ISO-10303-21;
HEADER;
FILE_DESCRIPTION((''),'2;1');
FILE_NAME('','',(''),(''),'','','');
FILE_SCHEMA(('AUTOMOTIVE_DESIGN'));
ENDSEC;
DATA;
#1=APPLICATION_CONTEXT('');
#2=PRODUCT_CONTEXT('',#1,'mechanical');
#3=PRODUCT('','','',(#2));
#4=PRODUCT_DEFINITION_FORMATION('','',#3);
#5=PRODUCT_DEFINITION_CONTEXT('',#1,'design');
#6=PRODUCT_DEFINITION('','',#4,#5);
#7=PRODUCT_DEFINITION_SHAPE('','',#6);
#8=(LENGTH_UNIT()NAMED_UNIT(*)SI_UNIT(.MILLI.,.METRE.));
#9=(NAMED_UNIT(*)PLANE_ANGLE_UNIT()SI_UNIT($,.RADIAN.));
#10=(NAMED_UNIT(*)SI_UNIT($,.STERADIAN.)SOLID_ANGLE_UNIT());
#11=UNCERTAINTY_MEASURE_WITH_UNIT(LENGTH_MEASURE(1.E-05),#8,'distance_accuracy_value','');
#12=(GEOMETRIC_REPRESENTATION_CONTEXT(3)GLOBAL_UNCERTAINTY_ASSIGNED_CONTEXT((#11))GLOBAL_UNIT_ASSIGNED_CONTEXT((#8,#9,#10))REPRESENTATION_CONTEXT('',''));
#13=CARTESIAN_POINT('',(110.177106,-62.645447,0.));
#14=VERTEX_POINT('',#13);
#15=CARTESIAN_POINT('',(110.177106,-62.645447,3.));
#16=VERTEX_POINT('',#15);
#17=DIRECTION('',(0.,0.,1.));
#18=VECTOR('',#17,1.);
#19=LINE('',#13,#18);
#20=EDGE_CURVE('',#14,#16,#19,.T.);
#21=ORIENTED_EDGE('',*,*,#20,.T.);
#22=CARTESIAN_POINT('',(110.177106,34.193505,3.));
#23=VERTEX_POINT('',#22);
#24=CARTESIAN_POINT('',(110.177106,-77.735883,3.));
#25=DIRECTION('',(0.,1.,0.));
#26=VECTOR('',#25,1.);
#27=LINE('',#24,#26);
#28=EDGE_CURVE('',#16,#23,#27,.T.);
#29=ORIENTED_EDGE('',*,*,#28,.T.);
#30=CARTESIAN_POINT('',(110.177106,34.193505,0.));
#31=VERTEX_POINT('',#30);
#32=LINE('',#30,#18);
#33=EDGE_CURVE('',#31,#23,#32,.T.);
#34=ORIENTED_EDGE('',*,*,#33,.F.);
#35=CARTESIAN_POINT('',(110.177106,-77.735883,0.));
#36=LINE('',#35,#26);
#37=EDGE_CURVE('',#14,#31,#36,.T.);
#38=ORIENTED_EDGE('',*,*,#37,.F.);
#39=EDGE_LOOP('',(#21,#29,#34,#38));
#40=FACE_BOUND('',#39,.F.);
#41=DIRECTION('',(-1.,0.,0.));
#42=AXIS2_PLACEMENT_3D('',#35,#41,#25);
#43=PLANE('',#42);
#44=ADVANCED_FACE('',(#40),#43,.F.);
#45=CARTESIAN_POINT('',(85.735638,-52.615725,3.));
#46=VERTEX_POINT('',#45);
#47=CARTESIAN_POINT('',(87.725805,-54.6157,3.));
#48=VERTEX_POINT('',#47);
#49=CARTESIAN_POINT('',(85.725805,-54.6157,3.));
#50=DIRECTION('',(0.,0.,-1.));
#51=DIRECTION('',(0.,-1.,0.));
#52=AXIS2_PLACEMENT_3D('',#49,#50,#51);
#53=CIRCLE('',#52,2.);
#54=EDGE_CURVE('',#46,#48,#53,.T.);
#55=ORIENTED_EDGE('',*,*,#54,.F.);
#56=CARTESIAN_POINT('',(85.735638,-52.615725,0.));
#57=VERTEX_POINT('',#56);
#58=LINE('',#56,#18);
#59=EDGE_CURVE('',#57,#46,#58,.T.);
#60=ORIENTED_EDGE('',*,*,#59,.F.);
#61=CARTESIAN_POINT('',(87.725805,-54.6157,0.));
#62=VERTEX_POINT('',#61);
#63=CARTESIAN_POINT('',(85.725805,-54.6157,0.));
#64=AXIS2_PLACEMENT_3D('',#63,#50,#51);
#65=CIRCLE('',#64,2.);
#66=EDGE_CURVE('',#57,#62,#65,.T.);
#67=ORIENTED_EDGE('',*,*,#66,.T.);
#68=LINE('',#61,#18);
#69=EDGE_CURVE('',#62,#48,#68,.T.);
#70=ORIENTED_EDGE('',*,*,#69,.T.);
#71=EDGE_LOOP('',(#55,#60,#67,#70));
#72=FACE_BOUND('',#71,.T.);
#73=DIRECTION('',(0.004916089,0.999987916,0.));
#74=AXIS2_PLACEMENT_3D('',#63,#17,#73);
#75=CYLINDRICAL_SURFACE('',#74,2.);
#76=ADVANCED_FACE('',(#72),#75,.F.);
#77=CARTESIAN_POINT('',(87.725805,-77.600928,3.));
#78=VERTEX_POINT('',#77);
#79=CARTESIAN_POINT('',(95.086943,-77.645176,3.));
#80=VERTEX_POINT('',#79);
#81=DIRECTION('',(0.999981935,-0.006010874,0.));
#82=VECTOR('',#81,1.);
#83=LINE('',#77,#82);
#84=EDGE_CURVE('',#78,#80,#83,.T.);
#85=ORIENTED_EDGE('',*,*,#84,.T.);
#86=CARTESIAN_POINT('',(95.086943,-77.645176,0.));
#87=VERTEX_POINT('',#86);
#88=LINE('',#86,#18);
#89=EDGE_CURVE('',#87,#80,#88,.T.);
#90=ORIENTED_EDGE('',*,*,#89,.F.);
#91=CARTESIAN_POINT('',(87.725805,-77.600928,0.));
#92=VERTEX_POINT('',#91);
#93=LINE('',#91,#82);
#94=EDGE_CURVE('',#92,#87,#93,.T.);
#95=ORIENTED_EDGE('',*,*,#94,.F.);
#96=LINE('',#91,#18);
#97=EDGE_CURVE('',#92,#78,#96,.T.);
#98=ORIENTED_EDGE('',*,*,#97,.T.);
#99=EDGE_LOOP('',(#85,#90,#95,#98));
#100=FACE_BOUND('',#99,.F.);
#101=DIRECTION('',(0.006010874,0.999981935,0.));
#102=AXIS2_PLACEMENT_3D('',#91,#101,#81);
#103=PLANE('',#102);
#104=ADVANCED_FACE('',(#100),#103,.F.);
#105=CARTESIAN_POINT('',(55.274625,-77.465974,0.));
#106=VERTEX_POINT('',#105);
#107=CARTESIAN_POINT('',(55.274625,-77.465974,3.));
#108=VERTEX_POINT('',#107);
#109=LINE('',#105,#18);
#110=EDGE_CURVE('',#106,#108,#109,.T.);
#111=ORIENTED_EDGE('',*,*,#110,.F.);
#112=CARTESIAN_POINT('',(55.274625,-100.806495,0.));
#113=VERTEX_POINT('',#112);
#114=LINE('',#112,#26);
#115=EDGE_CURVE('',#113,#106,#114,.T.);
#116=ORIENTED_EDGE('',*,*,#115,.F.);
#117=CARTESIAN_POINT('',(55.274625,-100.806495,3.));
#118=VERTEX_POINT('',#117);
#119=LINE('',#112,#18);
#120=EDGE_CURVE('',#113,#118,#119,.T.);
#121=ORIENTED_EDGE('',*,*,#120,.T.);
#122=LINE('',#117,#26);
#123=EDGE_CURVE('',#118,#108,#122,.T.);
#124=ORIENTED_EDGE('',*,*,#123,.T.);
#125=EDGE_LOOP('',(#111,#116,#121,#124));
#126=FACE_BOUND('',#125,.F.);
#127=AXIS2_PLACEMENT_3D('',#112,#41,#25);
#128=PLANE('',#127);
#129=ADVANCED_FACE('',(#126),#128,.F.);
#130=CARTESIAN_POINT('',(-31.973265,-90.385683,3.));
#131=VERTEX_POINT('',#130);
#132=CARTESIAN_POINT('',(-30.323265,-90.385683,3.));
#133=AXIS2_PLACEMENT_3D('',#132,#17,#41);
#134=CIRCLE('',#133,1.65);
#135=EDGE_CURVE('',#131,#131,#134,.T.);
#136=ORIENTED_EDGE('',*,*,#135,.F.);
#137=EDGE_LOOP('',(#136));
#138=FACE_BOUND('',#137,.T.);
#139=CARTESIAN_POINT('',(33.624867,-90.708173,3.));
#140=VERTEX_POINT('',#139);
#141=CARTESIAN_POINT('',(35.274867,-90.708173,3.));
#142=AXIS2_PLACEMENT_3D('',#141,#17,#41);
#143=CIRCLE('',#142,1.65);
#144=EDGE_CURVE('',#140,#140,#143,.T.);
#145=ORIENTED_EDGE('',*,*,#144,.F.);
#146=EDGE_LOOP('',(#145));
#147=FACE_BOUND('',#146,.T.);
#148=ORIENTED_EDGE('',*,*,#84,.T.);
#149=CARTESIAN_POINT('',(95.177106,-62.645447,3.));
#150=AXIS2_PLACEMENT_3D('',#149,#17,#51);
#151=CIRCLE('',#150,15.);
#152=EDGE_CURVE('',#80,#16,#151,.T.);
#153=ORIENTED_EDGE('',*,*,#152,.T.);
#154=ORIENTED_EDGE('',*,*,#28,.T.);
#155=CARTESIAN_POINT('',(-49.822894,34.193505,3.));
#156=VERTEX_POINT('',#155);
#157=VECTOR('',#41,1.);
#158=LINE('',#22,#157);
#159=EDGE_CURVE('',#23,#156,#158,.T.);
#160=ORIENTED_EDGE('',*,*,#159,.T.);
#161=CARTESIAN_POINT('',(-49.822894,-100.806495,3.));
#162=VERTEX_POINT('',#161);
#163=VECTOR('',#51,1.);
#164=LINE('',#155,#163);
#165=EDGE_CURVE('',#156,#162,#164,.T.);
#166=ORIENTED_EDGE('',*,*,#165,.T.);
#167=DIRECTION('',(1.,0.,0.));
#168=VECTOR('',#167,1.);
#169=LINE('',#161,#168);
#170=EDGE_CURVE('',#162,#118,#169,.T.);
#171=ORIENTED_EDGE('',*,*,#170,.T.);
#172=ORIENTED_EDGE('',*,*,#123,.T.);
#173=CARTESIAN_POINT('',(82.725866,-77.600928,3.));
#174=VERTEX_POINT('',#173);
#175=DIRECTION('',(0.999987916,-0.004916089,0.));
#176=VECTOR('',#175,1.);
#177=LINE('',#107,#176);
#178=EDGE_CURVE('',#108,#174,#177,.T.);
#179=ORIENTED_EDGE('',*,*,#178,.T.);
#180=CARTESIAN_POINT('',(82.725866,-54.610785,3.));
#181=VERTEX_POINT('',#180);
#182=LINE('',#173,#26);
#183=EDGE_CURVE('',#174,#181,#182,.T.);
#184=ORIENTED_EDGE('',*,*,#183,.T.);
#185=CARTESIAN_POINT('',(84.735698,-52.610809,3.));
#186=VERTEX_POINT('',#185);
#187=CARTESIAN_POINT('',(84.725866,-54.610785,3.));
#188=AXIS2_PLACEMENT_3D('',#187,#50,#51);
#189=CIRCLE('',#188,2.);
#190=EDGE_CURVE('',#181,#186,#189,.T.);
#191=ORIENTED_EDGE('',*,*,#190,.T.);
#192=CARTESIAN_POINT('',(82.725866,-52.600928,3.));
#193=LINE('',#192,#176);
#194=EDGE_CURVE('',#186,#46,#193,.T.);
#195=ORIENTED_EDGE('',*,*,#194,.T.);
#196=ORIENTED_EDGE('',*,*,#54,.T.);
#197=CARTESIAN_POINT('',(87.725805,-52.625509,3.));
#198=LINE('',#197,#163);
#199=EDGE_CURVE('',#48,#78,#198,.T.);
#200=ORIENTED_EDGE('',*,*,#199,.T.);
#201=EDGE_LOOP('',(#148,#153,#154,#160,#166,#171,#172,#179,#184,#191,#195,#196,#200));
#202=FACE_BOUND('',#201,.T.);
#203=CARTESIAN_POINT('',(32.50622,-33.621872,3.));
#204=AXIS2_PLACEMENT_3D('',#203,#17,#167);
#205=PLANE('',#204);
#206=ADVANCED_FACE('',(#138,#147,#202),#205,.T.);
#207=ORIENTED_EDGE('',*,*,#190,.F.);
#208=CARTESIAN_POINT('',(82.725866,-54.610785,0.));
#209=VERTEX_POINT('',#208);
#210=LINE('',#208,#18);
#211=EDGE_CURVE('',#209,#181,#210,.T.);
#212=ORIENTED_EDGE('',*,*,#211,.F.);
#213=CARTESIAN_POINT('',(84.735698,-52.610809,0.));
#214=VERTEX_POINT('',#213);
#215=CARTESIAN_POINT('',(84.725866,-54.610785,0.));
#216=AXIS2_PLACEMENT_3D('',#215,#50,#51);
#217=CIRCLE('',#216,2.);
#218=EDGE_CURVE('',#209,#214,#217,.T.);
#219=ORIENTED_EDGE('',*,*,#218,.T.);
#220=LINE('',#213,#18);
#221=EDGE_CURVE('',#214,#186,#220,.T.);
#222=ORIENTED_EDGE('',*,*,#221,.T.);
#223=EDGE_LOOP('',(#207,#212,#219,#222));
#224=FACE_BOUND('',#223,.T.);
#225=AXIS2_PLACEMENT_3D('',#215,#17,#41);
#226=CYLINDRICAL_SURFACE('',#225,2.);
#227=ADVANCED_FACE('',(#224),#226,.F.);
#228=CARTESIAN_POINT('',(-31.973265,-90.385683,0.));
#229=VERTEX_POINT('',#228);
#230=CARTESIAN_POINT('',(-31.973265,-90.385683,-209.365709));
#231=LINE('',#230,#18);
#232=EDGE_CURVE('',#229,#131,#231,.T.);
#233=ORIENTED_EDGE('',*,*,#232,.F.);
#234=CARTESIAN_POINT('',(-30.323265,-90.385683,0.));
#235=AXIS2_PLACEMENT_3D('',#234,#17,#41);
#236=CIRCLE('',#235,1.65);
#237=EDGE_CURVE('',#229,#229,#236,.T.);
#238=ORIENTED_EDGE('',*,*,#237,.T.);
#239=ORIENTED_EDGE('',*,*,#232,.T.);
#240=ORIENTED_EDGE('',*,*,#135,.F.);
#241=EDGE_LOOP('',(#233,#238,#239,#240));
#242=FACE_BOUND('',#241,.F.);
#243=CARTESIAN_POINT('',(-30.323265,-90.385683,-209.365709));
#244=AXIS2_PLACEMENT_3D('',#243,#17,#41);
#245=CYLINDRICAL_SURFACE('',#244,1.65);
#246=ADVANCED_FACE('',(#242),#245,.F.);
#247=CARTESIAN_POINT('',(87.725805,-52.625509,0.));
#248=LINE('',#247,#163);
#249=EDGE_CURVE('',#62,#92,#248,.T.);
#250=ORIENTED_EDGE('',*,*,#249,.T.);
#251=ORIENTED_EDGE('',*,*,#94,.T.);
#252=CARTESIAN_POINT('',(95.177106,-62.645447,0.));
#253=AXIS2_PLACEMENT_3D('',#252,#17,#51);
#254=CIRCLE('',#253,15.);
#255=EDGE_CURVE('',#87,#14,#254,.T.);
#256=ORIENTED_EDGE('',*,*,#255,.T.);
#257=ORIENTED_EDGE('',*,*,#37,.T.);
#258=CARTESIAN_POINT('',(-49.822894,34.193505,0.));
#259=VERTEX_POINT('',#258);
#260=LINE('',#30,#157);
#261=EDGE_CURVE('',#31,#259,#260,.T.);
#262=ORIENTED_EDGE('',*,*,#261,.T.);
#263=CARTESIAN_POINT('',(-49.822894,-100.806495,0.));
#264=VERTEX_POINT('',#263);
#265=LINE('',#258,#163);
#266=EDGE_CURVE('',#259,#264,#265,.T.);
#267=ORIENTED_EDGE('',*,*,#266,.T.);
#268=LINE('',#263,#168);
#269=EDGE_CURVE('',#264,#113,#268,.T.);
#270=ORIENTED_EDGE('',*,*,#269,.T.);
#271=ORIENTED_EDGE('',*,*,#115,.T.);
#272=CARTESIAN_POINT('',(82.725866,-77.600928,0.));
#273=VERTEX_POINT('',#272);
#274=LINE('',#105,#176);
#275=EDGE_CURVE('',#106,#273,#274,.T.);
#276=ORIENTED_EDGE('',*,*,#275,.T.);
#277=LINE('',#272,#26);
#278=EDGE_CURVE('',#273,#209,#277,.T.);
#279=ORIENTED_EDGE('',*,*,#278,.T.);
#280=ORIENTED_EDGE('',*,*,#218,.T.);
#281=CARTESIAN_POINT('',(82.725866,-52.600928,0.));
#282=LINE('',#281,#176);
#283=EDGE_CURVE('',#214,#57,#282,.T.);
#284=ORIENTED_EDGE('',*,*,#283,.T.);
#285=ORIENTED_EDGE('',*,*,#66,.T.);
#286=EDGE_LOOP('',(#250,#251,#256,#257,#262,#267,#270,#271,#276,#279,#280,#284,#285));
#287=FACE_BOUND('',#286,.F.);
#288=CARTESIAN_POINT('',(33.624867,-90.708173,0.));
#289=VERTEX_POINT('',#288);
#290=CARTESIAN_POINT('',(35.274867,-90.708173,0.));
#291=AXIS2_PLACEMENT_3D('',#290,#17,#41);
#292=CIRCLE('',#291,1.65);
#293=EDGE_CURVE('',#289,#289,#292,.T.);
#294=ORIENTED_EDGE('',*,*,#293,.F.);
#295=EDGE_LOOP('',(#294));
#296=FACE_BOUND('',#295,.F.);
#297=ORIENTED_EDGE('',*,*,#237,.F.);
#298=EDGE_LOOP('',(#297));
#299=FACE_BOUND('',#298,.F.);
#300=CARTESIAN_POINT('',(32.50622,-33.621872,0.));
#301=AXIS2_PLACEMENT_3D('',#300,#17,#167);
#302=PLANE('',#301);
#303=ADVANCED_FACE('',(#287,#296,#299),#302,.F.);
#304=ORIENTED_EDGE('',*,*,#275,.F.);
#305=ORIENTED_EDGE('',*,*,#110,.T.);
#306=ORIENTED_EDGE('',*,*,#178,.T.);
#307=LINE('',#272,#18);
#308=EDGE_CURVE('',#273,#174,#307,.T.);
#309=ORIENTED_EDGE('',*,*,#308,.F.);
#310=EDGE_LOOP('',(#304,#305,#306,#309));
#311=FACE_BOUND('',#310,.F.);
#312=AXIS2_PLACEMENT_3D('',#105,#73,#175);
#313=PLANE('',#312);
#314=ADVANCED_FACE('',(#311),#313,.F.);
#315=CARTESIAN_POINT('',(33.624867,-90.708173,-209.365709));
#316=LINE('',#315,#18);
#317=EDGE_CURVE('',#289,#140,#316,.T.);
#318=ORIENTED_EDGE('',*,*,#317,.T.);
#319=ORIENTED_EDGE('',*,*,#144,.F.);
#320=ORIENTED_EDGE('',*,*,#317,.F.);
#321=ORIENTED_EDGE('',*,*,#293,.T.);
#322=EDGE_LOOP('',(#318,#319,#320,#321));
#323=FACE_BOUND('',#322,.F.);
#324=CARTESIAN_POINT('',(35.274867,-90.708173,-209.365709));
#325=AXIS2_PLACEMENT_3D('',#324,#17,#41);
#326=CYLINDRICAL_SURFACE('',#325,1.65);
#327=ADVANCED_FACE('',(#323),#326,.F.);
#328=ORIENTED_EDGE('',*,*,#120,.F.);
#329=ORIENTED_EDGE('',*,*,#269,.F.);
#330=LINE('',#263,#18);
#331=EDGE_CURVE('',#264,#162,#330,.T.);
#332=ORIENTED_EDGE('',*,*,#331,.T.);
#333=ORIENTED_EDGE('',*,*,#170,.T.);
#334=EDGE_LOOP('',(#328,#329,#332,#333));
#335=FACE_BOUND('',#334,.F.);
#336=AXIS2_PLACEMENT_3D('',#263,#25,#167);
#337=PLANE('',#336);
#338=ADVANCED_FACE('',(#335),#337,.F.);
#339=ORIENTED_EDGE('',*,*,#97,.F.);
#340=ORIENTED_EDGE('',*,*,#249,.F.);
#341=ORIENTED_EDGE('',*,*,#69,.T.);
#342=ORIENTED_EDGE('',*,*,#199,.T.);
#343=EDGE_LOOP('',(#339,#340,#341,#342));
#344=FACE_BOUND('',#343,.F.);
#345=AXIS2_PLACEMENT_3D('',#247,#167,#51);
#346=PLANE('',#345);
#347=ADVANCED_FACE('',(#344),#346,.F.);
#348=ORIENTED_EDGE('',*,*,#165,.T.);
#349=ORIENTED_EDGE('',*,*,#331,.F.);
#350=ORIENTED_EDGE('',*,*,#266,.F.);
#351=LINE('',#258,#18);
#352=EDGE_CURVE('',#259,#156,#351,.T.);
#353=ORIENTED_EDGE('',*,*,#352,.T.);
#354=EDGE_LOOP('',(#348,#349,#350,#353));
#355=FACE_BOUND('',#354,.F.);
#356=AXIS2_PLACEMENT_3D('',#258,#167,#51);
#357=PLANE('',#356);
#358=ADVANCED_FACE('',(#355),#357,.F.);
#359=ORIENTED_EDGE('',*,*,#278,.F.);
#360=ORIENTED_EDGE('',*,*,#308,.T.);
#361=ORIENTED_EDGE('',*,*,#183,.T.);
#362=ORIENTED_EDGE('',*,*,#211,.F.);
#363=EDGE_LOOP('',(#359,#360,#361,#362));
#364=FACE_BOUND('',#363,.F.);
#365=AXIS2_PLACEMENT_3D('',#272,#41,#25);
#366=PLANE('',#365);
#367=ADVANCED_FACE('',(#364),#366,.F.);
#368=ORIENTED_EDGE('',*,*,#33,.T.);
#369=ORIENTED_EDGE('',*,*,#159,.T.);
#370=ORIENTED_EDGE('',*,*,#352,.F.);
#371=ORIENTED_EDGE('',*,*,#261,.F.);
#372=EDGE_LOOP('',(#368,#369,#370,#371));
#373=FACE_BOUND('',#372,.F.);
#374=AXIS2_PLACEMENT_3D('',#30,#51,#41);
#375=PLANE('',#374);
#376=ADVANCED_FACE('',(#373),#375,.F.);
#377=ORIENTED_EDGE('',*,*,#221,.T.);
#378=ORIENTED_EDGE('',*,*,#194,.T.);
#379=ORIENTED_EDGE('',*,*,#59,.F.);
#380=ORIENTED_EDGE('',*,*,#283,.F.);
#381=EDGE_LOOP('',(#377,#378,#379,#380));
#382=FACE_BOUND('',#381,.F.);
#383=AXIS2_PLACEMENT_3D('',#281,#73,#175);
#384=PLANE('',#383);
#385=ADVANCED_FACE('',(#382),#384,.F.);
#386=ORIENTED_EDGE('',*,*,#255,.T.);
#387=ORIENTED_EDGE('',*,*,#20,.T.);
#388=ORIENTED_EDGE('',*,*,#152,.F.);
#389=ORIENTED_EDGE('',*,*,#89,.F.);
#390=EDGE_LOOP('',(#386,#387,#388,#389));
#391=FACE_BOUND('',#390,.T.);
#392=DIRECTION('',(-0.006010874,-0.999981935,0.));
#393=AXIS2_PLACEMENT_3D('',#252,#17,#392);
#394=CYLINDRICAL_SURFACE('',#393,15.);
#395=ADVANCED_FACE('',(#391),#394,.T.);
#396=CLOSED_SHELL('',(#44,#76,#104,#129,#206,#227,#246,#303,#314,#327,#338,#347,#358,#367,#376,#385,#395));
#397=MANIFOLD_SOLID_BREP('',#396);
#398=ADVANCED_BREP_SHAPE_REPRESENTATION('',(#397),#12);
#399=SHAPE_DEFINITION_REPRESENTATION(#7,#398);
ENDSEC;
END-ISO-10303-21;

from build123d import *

# Parameters (mm, degrees)
F1_DEPTH = 3
F2_R     = 2
F3_R     = 2
F4_D     = 3.3
F5_R     = 15


with BuildPart() as f1:
    # F0 (on Top) → F1 (new body)
    with BuildSketch(Plane.XY):
        Polygon((110.177106271, 34.1935047355), (-49.822893729, 34.1935047355), (-49.822893729, -100.8064952645), (55.2746254304, -100.8064952645), (55.2746254304, -77.4659737945), (82.7258658507, -77.6009281682), (82.7258658507, -52.6009281682), (87.7258054305, -52.6255086135), (87.7258054305, -77.6009281682), (110.177106271, -77.7358825419), align=None)
    extrude(amount=F1_DEPTH)

    # F2
    f2_edges = [f1.edges().sort_by_distance(p)[0] for p in [
        (82.725866, -52.600928, 1.5),
    ]]
    fillet(f2_edges, radius=F2_R)

    # F3
    f3_edges = [f1.edges().sort_by_distance(p)[0] for p in [
        (87.725805, -52.625509, 1.5),
    ]]
    fillet(f3_edges, radius=F3_R)

    # F4 (through all)
    with Locations(Plane(origin=(0, 0, 0), x_dir=(1, 0, 0), z_dir=(0, 0, -1))):
        with Locations((-30.323264641, 90.3856833279), (35.2748671111, 90.7081734832)):
            Hole(F4_D / 2)

    # F5
    f5_edges = [f1.edges().sort_by_distance(p)[0] for p in [
        (110.177106, -77.735883, 1.5),
    ]]
    fillet(f5_edges, radius=F5_R)


solid = f1.part
